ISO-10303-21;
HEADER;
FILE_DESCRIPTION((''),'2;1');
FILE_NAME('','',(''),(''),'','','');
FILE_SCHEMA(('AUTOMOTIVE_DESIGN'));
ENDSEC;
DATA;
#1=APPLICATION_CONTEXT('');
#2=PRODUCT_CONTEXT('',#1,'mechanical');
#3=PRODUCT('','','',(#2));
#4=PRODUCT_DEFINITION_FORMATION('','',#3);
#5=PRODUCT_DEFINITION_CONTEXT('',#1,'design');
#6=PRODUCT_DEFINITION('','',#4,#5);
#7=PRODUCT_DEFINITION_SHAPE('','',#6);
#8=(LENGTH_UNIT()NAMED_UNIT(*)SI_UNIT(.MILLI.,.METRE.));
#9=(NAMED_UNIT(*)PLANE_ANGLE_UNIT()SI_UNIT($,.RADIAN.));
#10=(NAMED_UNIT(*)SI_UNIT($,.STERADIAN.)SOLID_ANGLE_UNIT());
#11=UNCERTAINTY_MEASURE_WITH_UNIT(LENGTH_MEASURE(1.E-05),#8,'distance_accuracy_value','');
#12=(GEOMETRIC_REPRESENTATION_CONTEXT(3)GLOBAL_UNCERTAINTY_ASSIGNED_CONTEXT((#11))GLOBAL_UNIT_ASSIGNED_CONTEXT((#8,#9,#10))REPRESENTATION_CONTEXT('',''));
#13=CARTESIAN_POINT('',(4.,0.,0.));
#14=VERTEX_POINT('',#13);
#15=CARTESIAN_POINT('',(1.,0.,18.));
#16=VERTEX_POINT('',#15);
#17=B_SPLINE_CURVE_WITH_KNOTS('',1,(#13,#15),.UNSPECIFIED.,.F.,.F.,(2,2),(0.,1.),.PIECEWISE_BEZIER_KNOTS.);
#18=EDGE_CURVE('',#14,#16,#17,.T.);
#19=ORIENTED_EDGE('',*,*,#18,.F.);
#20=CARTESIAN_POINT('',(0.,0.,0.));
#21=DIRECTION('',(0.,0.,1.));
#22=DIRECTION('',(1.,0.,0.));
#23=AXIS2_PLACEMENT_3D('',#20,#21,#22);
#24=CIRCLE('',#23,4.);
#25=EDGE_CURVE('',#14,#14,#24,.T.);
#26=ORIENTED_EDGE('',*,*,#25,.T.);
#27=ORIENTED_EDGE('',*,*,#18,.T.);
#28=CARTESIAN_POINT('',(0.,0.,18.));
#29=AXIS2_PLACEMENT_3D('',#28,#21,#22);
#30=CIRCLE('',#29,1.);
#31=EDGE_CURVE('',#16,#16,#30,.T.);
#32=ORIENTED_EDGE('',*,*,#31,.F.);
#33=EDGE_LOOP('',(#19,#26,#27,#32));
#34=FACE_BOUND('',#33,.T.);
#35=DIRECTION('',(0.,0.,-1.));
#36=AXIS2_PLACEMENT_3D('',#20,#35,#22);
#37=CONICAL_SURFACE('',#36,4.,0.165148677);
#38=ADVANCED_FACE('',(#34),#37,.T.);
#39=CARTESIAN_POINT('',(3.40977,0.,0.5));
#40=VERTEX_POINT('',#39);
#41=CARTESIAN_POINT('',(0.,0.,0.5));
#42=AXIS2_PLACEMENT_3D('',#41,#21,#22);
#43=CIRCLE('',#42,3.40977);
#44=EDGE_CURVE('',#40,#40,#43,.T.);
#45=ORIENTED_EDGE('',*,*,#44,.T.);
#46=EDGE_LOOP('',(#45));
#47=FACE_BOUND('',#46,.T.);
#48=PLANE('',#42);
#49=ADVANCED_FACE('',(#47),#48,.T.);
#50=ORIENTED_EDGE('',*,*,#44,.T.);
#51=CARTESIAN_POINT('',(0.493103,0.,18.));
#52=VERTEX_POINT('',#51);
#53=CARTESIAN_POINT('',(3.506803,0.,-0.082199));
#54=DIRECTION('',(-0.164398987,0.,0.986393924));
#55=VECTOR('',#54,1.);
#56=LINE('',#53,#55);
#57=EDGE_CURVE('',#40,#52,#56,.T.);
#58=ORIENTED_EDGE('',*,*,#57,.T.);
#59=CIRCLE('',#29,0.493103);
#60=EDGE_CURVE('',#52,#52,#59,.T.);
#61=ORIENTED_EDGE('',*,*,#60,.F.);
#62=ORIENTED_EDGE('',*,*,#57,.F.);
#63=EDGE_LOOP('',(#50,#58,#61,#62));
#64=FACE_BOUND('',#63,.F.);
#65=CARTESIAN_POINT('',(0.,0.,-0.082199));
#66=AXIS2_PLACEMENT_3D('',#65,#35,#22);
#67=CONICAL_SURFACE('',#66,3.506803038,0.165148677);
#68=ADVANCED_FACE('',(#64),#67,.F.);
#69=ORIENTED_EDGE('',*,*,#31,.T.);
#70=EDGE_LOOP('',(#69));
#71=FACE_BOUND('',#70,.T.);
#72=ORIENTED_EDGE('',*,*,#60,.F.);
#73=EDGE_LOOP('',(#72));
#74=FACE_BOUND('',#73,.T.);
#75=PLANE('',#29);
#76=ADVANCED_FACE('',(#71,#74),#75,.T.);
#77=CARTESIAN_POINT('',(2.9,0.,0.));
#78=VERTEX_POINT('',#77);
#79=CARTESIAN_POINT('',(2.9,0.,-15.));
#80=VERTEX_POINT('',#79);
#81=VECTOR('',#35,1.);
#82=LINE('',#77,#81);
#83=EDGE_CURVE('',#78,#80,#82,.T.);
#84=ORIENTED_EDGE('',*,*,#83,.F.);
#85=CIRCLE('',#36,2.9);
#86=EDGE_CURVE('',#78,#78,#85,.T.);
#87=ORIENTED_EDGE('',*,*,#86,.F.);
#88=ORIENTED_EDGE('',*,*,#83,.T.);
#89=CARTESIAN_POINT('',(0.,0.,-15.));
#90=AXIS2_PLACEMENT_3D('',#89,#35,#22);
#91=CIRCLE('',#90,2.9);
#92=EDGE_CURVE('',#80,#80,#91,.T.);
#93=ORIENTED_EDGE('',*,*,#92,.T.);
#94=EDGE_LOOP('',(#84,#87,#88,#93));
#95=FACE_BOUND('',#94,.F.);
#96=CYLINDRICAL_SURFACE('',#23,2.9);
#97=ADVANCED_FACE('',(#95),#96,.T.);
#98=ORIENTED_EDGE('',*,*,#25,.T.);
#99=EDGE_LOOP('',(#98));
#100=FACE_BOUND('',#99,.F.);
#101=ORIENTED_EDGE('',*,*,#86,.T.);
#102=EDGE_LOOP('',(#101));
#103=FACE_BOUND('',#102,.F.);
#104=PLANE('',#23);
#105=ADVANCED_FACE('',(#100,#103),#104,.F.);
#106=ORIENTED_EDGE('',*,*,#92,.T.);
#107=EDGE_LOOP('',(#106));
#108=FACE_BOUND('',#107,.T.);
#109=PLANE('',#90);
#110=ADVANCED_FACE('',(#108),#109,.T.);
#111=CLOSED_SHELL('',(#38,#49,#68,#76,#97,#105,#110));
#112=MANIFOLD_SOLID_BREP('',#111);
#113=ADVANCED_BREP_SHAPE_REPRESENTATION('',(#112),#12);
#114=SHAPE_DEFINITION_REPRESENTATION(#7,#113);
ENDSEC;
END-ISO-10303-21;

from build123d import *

# Parameters (mm, degrees)
F0_R     = 4
F2_R     = 1
F4_T     = -0.5
F5_R     = 2.9
F6_DEPTH = 15


with BuildPart() as f3:
    # F0 (on Top) → F3 section 0
    with BuildSketch(Plane.XY):
        Circle(F0_R)
    # F2 (on offset) → F3 section 1
    with BuildSketch(Plane.XY.offset(18)):
        Circle(F2_R)
    loft()

    # F4
    f4_openings = [f3.faces().sort_by_distance(p)[0] for p in [
        (0, 0, 18),
    ]]
    offset(amount=F4_T, openings=f4_openings, kind=Kind.INTERSECTION)

    # F5 (on face) → F6 (join)
    with BuildSketch(Plane(origin=(0, 0, 0), x_dir=(1, 0, 0), z_dir=(0, 0, -1))):
        Circle(F5_R)
    extrude(amount=F6_DEPTH)


solid = f3.part
